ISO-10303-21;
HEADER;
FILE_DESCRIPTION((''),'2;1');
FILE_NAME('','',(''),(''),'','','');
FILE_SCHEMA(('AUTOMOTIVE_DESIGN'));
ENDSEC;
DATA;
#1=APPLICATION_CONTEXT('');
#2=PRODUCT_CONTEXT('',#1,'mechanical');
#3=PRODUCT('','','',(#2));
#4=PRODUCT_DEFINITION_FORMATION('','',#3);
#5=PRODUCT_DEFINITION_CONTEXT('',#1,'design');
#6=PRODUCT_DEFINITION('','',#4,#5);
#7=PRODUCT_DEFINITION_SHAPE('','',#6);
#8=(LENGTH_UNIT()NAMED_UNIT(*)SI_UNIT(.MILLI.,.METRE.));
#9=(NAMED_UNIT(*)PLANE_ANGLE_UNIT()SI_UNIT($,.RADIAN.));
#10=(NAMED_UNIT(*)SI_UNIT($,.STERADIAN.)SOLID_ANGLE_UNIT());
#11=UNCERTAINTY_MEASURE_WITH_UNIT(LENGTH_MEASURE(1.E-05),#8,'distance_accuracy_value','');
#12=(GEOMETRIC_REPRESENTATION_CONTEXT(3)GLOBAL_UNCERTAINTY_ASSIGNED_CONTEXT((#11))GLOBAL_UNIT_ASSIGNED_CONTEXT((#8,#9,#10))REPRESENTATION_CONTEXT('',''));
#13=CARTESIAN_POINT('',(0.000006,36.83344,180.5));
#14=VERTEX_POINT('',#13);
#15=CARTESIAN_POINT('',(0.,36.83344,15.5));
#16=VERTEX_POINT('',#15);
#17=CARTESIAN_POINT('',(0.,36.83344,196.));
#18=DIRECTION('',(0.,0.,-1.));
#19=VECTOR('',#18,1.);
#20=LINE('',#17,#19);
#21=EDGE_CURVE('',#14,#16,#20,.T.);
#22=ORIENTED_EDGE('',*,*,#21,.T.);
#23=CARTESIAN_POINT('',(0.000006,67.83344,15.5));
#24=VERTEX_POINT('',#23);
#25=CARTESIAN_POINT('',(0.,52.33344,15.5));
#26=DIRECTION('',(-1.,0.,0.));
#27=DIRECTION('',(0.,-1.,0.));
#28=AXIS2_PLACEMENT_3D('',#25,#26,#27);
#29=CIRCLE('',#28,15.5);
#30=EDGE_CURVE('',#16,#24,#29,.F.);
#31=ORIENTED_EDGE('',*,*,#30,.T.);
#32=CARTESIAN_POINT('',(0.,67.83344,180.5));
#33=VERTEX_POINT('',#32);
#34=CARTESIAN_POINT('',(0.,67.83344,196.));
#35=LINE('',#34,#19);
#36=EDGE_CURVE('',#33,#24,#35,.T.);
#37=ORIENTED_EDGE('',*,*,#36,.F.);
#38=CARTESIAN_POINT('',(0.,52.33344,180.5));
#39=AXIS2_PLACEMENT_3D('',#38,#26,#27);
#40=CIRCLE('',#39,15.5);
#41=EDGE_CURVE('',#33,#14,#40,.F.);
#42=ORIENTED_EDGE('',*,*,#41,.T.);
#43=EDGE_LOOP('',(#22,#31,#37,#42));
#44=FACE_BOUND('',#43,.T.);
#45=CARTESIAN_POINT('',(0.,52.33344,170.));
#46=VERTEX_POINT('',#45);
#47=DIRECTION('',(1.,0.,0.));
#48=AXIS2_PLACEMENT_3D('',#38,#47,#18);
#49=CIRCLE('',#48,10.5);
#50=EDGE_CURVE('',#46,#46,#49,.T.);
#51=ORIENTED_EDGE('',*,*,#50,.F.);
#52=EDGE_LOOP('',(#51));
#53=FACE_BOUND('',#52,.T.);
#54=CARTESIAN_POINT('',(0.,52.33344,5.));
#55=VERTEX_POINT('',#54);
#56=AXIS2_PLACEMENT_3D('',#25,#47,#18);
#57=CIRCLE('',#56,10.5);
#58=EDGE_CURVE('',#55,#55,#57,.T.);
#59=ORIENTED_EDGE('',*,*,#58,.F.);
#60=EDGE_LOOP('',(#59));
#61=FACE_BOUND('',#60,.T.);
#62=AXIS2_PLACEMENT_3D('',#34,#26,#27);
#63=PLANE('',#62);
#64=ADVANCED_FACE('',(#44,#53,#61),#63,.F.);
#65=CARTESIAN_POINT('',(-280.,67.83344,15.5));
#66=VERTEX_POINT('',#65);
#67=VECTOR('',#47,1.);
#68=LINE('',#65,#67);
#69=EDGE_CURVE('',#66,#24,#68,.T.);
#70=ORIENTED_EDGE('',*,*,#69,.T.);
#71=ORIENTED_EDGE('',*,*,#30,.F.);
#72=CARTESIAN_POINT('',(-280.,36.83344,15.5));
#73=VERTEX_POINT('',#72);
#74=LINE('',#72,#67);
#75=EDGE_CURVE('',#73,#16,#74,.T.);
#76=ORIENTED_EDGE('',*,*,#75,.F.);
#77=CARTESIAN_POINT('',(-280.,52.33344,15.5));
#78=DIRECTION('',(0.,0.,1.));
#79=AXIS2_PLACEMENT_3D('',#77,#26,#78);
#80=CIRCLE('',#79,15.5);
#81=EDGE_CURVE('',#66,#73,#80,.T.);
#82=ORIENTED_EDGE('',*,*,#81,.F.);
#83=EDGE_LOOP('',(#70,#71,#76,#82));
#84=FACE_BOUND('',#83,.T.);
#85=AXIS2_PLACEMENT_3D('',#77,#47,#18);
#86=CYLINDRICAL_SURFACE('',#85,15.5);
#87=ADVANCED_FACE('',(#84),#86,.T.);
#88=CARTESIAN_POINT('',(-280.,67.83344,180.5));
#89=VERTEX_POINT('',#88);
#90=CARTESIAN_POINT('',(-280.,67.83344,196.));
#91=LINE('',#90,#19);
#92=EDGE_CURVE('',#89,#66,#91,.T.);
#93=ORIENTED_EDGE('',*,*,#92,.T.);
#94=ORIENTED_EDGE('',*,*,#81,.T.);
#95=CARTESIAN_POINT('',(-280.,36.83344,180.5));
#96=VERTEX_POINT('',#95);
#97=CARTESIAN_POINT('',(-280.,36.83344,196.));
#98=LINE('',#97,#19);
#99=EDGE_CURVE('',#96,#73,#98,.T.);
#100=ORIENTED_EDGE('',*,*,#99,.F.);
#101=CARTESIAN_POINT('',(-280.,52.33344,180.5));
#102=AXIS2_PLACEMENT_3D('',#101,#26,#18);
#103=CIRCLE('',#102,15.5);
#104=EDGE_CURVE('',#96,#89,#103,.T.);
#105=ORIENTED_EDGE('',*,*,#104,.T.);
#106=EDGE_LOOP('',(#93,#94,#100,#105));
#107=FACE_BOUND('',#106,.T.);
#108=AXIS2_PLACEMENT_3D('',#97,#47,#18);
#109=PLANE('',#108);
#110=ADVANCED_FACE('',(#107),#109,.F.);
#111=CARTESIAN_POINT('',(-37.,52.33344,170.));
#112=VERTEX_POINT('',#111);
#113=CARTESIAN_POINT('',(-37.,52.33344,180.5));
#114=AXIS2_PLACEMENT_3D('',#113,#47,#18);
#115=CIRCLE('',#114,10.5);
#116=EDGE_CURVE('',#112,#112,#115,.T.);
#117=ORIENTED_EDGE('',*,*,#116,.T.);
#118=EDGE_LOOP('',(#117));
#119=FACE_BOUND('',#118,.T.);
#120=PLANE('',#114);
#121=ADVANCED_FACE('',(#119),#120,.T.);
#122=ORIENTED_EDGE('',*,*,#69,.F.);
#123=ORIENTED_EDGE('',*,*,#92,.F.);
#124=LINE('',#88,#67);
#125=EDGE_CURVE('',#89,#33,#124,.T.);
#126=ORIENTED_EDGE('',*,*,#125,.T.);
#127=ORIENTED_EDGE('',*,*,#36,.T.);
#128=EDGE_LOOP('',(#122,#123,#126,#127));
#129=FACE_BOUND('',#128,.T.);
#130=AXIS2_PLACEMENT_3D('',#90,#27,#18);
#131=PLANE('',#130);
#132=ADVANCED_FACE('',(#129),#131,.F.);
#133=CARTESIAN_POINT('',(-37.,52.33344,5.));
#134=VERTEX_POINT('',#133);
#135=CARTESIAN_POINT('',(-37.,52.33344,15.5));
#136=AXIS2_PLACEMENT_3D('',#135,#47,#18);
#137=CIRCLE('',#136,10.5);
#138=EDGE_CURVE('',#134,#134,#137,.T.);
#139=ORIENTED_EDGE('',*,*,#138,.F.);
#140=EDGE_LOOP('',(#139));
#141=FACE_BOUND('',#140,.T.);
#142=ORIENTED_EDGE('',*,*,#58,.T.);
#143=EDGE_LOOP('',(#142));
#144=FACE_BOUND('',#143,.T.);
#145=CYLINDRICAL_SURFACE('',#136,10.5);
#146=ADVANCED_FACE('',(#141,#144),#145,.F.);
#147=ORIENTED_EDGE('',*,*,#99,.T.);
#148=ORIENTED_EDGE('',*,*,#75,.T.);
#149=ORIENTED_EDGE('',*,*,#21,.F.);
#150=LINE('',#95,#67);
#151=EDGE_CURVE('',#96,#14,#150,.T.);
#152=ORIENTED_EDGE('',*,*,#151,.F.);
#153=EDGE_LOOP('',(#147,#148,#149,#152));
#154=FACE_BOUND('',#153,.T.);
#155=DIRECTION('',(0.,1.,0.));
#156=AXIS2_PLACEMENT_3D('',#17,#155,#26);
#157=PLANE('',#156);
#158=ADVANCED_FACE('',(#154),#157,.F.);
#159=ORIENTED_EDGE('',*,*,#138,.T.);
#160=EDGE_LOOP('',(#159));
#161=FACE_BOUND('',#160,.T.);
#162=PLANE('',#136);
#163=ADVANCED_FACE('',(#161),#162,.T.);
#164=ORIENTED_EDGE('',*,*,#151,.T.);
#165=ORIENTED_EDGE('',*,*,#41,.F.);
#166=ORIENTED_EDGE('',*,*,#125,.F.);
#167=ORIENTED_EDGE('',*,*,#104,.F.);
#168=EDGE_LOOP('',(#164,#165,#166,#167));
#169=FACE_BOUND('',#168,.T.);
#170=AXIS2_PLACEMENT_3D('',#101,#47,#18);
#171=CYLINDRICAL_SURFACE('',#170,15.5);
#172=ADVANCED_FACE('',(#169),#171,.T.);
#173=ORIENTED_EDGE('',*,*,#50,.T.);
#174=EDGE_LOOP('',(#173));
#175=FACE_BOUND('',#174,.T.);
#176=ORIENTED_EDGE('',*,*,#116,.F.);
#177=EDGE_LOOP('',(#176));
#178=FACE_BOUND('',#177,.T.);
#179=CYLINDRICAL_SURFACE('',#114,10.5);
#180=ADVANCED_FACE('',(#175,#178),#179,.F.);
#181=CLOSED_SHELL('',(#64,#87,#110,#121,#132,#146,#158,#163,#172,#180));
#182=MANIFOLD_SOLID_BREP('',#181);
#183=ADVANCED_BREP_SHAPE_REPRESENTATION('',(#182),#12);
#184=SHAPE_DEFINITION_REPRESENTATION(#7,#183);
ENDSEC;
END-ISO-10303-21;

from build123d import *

# Parameters (mm, degrees)
SKETCH3_W               = 280
SKETCH3_H               = 31
BOSS_EXTRUDE1_DEPTH     = 196
CUT_EXTRUDE1_DEPTH      = 349.449961347
CUT_EXTRUDE1_DEPTH_BACK = 349.449961347
SKETCH6_R               = 10.5
CUT_EXTRUDE2_DEPTH      = 37


with BuildPart() as part:
    # Sketch3 → Boss-Extrude1 (new body)
    with BuildSketch(Plane.XY):
        with Locations((-140, 52.333439857)):
            Rectangle(SKETCH3_W, SKETCH3_H)
    extrude(amount=BOSS_EXTRUDE1_DEPTH)

    # Sketch4 → Cut-Extrude1 (cut, two sides: drawn at the far end of the back side and taken through both)
    with BuildSketch(Plane(origin=(0, 0, 0), x_dir=(0, 0, -1), z_dir=(1, 0, 0)).offset(-CUT_EXTRUDE1_DEPTH_BACK)):
        with BuildLine():
            Line((-180.5, 67.833439857), (-180.5, 68.833439857))
            Line((-180.5, 68.833439857), (-197, 68.833439857))
            Line((-197, 68.833439857), (-197, 35.833439857))
            Line((-197, 35.833439857), (-180.5, 35.833439857))
            Line((-180.5, 35.833439857), (-180.5, 36.833439857))
            ThreePointArc((-180.5, 36.833439857), (-196, 52.333439857), (-180.5, 67.833439857))
        make_face()
        with BuildLine():
            Line((-15.5, 67.833439857), (-15.5, 68.833439857))
            Line((-15.5, 68.833439857), (1, 68.833439857))
            Line((1, 68.833439857), (1, 35.833439857))
            Line((1, 35.833439857), (-15.5, 35.833439857))
            Line((-15.5, 35.833439857), (-15.5, 36.833439857))
            ThreePointArc((-15.5, 36.833439857), (0, 52.333439857), (-15.5, 67.833439857))
        make_face()
    extrude(amount=CUT_EXTRUDE1_DEPTH + CUT_EXTRUDE1_DEPTH_BACK, mode=Mode.SUBTRACT)

    # Sketch6 → Cut-Extrude2 (cut)
    with BuildSketch(Plane(origin=(0, 0, 0), x_dir=(0, 0, -1), z_dir=(1, 0, 0))):
        with Locations((-180.5, 52.333439857)):
            Circle(SKETCH6_R)
        with Locations((-15.5, 52.333439857)):
            Circle(SKETCH6_R)
    extrude(amount=-CUT_EXTRUDE2_DEPTH, mode=Mode.SUBTRACT)


solid = part.part
